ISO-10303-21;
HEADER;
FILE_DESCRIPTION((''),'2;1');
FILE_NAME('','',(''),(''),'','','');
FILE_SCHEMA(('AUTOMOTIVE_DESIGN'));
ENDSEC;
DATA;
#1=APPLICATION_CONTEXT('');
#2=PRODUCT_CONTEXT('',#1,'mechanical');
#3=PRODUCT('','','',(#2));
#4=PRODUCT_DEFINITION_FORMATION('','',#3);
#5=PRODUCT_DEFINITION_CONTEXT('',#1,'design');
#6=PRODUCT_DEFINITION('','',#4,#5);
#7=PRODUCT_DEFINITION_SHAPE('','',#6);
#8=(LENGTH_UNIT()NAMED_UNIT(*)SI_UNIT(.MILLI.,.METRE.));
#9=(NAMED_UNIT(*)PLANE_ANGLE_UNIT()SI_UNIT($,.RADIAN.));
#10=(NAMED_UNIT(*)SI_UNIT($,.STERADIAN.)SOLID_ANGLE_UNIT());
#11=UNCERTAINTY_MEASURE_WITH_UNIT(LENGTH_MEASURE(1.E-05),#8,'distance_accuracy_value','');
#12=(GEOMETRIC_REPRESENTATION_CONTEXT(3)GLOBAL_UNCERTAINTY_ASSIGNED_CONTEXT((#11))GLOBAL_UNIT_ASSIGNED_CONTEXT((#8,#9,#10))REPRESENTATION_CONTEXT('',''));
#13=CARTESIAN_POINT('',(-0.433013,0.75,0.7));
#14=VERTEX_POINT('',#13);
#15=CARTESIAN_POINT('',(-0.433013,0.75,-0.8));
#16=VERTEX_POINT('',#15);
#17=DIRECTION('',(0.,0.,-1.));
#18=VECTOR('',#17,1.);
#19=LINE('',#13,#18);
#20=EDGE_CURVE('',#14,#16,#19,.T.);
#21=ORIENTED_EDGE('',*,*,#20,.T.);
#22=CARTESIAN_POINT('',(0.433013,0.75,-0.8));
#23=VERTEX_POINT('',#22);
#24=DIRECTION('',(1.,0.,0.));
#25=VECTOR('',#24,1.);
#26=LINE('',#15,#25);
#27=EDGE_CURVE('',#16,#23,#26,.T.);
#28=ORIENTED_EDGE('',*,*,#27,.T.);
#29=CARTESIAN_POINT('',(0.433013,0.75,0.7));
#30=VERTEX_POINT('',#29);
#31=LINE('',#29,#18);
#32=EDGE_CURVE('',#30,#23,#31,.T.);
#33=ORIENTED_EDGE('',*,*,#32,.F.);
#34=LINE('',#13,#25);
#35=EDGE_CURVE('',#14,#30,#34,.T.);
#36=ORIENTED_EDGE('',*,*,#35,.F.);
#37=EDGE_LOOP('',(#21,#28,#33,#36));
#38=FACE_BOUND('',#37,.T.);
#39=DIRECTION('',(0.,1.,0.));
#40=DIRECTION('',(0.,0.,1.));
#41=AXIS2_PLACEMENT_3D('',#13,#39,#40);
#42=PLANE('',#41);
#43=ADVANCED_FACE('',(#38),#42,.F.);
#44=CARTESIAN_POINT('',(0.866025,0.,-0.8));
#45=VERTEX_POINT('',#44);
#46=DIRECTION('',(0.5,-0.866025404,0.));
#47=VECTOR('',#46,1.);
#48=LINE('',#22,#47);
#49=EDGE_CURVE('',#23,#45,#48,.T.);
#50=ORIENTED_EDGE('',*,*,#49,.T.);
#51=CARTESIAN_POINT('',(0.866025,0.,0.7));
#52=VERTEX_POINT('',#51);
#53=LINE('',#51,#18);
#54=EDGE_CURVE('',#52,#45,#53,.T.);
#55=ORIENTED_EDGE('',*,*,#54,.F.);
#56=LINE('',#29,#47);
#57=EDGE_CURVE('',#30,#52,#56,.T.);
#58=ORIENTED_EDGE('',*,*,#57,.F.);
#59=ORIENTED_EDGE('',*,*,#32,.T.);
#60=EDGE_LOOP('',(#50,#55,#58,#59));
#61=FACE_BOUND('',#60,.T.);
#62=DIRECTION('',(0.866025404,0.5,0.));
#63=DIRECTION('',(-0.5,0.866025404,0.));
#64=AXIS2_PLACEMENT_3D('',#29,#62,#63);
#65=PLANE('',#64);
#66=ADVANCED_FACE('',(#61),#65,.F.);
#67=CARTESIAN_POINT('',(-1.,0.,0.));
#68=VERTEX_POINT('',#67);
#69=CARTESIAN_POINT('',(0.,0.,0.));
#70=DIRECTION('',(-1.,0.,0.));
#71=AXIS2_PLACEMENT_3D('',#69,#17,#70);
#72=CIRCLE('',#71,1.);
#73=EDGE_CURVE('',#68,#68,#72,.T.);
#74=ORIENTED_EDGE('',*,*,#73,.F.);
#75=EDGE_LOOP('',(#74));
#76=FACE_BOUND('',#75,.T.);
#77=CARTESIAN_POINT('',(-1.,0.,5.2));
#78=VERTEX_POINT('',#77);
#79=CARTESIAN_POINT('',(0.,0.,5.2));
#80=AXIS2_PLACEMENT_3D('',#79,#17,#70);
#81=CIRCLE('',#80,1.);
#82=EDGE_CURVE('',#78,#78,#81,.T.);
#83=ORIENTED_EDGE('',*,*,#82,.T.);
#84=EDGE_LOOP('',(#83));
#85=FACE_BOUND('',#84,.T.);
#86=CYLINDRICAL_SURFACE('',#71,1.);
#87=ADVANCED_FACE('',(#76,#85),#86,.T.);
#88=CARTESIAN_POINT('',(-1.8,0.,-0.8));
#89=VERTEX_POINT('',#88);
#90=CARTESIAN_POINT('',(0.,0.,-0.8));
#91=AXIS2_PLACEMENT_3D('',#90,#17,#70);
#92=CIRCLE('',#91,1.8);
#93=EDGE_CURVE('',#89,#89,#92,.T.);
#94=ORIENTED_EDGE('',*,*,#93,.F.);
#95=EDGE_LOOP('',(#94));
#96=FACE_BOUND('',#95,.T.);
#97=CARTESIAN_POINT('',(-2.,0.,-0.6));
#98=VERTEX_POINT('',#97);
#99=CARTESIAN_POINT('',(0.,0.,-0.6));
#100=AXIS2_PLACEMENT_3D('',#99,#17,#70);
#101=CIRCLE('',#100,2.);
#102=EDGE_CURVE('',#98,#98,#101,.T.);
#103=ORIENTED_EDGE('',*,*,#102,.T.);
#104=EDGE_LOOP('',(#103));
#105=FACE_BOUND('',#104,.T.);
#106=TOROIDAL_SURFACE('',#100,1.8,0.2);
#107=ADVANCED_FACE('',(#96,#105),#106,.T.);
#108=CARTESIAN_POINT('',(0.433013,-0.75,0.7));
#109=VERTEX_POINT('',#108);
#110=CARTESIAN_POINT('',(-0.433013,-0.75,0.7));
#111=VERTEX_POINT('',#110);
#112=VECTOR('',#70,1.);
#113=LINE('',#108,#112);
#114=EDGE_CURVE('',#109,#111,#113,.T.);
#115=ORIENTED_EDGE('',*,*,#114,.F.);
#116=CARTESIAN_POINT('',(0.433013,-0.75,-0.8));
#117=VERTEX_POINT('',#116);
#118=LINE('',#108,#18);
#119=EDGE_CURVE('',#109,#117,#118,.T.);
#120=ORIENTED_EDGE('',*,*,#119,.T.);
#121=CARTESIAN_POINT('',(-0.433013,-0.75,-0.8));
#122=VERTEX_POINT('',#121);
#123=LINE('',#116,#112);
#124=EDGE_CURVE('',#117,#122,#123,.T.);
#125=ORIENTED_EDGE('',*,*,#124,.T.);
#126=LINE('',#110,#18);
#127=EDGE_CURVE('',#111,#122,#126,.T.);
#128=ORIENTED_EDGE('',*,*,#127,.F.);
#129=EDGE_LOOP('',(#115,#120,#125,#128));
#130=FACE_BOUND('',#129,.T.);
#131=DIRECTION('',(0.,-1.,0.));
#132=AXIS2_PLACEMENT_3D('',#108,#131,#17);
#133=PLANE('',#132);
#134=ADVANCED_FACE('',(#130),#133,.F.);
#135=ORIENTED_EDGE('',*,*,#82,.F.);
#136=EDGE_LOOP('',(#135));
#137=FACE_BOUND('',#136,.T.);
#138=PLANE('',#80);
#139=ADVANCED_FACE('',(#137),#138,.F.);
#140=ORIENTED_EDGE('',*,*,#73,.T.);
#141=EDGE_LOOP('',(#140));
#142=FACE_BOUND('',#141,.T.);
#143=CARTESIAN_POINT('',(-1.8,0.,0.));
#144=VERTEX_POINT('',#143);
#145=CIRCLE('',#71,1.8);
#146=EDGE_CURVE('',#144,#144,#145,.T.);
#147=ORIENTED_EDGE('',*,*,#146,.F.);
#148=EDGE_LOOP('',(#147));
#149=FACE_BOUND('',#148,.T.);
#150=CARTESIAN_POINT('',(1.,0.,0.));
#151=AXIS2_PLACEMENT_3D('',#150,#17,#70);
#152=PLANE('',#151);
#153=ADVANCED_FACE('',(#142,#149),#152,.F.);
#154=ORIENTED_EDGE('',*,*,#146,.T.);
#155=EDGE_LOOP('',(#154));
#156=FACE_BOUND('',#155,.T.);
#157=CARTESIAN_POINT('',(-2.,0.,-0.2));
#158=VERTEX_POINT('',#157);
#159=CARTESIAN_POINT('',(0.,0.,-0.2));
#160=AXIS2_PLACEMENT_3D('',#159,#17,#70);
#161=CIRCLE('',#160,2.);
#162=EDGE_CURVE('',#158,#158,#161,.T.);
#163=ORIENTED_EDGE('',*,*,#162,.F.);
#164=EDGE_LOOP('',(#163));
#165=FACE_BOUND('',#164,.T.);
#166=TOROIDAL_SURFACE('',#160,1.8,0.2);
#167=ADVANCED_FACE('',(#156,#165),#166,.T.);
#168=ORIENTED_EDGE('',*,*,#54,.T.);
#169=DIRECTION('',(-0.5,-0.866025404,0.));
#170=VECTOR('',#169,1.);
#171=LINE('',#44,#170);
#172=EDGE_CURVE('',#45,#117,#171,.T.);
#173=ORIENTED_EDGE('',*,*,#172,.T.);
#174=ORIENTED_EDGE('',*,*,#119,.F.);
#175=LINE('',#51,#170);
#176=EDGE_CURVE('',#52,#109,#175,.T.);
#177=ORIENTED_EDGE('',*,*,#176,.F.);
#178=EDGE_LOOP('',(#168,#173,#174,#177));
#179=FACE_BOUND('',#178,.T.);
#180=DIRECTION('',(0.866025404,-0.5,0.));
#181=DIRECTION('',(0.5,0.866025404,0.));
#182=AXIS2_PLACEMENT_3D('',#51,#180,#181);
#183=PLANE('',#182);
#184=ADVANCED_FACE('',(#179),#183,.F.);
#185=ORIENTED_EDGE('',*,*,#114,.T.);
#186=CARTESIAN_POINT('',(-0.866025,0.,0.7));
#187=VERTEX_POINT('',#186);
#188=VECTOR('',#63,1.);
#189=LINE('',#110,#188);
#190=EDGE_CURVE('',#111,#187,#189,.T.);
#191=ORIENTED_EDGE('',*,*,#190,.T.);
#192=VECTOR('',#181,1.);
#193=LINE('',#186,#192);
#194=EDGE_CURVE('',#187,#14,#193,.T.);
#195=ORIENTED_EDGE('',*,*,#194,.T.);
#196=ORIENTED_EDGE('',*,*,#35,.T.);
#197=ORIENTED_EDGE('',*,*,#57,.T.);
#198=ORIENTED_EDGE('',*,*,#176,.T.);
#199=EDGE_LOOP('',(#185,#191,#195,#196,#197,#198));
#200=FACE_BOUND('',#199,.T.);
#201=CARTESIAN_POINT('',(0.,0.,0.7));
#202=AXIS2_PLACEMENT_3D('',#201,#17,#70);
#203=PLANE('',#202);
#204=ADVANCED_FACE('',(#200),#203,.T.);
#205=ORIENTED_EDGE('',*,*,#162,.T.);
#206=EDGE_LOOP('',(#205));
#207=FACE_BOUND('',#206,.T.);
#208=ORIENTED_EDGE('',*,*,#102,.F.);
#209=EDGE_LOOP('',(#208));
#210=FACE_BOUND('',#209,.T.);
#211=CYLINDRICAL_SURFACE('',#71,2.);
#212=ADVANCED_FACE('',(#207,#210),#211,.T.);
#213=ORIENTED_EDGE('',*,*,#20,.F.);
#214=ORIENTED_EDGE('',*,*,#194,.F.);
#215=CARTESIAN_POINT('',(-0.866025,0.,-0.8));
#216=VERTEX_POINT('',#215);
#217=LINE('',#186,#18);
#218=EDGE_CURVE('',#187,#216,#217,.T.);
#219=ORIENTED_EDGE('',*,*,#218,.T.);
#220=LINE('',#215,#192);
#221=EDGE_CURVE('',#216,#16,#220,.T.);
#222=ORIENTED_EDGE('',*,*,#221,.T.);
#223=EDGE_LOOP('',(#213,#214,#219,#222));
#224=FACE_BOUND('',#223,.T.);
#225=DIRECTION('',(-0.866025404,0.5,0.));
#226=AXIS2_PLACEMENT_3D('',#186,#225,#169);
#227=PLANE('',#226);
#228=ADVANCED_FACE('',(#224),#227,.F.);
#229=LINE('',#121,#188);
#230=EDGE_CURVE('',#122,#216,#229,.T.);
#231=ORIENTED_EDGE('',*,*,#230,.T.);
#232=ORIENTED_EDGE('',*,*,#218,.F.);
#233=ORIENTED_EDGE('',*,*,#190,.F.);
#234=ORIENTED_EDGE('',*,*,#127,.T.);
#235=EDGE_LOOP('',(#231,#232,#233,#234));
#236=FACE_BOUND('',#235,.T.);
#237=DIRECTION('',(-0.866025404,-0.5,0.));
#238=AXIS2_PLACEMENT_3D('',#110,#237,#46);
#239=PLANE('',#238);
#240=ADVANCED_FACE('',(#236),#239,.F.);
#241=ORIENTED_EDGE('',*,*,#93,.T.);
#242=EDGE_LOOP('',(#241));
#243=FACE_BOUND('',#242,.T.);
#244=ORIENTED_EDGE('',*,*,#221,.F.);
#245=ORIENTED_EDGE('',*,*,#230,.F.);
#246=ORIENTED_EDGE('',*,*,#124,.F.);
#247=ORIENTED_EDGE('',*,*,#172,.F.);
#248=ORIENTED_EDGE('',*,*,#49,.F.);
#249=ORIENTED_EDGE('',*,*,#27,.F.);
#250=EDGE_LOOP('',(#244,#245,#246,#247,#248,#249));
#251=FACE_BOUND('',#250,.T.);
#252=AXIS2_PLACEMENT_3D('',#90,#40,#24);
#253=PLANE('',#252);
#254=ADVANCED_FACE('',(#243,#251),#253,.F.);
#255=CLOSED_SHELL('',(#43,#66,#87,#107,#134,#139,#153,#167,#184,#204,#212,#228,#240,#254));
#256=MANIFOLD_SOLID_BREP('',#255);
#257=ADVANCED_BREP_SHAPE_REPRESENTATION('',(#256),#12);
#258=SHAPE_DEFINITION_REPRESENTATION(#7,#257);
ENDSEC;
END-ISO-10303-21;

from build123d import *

# Parameters (mm, degrees)
CUT_EXTRUDE_2_DEPTH = 1.5


with BuildPart() as part:
    # 草图1 → 旋转1 (revolve)
    with BuildSketch(Plane(origin=(0, 0, 0), x_dir=(1, 0, 0), z_dir=(0, 1, 0)), mode=Mode.PRIVATE) as revolve_1_sk:
        with BuildLine():
            Line((0, 0), (0, -5.2))
            Line((0, -5.2), (1, -5.2))
            Line((1, -5.2), (1, 0))
            Line((1, 0), (1.8, 0))
            ThreePointArc((1.8, 0), (1.941421356, 0.058578644), (2, 0.2))
            Line((2, 0.2), (2, 0.6))
            ThreePointArc((2, 0.6), (1.941421356, 0.741421356), (1.8, 0.8))
            Line((1.8, 0.8), (0, 0.8))
            Line((0, 0.8), (0, 0))
        make_face()
    revolve(revolve_1_sk.sketch.rotate(Axis((0, 0, 0), (0, 0, 1)), 180), axis=Axis((0, 0, 0), (0, 0, 1)))

    # 草图3 → 切除-拉伸2 (cut)
    with BuildSketch(Plane(origin=(0, 0, -0.8), x_dir=(-1, 0, 0), z_dir=(0, 0, -1))):
        Polygon((0.866025404, 0), (0.433012702, 0.75), (-0.433012702, 0.75), (-0.866025404, 0), (-0.433012702, -0.75), (0.433012702, -0.75), align=None)
    extrude(amount=-CUT_EXTRUDE_2_DEPTH, mode=Mode.SUBTRACT)


solid = part.part
